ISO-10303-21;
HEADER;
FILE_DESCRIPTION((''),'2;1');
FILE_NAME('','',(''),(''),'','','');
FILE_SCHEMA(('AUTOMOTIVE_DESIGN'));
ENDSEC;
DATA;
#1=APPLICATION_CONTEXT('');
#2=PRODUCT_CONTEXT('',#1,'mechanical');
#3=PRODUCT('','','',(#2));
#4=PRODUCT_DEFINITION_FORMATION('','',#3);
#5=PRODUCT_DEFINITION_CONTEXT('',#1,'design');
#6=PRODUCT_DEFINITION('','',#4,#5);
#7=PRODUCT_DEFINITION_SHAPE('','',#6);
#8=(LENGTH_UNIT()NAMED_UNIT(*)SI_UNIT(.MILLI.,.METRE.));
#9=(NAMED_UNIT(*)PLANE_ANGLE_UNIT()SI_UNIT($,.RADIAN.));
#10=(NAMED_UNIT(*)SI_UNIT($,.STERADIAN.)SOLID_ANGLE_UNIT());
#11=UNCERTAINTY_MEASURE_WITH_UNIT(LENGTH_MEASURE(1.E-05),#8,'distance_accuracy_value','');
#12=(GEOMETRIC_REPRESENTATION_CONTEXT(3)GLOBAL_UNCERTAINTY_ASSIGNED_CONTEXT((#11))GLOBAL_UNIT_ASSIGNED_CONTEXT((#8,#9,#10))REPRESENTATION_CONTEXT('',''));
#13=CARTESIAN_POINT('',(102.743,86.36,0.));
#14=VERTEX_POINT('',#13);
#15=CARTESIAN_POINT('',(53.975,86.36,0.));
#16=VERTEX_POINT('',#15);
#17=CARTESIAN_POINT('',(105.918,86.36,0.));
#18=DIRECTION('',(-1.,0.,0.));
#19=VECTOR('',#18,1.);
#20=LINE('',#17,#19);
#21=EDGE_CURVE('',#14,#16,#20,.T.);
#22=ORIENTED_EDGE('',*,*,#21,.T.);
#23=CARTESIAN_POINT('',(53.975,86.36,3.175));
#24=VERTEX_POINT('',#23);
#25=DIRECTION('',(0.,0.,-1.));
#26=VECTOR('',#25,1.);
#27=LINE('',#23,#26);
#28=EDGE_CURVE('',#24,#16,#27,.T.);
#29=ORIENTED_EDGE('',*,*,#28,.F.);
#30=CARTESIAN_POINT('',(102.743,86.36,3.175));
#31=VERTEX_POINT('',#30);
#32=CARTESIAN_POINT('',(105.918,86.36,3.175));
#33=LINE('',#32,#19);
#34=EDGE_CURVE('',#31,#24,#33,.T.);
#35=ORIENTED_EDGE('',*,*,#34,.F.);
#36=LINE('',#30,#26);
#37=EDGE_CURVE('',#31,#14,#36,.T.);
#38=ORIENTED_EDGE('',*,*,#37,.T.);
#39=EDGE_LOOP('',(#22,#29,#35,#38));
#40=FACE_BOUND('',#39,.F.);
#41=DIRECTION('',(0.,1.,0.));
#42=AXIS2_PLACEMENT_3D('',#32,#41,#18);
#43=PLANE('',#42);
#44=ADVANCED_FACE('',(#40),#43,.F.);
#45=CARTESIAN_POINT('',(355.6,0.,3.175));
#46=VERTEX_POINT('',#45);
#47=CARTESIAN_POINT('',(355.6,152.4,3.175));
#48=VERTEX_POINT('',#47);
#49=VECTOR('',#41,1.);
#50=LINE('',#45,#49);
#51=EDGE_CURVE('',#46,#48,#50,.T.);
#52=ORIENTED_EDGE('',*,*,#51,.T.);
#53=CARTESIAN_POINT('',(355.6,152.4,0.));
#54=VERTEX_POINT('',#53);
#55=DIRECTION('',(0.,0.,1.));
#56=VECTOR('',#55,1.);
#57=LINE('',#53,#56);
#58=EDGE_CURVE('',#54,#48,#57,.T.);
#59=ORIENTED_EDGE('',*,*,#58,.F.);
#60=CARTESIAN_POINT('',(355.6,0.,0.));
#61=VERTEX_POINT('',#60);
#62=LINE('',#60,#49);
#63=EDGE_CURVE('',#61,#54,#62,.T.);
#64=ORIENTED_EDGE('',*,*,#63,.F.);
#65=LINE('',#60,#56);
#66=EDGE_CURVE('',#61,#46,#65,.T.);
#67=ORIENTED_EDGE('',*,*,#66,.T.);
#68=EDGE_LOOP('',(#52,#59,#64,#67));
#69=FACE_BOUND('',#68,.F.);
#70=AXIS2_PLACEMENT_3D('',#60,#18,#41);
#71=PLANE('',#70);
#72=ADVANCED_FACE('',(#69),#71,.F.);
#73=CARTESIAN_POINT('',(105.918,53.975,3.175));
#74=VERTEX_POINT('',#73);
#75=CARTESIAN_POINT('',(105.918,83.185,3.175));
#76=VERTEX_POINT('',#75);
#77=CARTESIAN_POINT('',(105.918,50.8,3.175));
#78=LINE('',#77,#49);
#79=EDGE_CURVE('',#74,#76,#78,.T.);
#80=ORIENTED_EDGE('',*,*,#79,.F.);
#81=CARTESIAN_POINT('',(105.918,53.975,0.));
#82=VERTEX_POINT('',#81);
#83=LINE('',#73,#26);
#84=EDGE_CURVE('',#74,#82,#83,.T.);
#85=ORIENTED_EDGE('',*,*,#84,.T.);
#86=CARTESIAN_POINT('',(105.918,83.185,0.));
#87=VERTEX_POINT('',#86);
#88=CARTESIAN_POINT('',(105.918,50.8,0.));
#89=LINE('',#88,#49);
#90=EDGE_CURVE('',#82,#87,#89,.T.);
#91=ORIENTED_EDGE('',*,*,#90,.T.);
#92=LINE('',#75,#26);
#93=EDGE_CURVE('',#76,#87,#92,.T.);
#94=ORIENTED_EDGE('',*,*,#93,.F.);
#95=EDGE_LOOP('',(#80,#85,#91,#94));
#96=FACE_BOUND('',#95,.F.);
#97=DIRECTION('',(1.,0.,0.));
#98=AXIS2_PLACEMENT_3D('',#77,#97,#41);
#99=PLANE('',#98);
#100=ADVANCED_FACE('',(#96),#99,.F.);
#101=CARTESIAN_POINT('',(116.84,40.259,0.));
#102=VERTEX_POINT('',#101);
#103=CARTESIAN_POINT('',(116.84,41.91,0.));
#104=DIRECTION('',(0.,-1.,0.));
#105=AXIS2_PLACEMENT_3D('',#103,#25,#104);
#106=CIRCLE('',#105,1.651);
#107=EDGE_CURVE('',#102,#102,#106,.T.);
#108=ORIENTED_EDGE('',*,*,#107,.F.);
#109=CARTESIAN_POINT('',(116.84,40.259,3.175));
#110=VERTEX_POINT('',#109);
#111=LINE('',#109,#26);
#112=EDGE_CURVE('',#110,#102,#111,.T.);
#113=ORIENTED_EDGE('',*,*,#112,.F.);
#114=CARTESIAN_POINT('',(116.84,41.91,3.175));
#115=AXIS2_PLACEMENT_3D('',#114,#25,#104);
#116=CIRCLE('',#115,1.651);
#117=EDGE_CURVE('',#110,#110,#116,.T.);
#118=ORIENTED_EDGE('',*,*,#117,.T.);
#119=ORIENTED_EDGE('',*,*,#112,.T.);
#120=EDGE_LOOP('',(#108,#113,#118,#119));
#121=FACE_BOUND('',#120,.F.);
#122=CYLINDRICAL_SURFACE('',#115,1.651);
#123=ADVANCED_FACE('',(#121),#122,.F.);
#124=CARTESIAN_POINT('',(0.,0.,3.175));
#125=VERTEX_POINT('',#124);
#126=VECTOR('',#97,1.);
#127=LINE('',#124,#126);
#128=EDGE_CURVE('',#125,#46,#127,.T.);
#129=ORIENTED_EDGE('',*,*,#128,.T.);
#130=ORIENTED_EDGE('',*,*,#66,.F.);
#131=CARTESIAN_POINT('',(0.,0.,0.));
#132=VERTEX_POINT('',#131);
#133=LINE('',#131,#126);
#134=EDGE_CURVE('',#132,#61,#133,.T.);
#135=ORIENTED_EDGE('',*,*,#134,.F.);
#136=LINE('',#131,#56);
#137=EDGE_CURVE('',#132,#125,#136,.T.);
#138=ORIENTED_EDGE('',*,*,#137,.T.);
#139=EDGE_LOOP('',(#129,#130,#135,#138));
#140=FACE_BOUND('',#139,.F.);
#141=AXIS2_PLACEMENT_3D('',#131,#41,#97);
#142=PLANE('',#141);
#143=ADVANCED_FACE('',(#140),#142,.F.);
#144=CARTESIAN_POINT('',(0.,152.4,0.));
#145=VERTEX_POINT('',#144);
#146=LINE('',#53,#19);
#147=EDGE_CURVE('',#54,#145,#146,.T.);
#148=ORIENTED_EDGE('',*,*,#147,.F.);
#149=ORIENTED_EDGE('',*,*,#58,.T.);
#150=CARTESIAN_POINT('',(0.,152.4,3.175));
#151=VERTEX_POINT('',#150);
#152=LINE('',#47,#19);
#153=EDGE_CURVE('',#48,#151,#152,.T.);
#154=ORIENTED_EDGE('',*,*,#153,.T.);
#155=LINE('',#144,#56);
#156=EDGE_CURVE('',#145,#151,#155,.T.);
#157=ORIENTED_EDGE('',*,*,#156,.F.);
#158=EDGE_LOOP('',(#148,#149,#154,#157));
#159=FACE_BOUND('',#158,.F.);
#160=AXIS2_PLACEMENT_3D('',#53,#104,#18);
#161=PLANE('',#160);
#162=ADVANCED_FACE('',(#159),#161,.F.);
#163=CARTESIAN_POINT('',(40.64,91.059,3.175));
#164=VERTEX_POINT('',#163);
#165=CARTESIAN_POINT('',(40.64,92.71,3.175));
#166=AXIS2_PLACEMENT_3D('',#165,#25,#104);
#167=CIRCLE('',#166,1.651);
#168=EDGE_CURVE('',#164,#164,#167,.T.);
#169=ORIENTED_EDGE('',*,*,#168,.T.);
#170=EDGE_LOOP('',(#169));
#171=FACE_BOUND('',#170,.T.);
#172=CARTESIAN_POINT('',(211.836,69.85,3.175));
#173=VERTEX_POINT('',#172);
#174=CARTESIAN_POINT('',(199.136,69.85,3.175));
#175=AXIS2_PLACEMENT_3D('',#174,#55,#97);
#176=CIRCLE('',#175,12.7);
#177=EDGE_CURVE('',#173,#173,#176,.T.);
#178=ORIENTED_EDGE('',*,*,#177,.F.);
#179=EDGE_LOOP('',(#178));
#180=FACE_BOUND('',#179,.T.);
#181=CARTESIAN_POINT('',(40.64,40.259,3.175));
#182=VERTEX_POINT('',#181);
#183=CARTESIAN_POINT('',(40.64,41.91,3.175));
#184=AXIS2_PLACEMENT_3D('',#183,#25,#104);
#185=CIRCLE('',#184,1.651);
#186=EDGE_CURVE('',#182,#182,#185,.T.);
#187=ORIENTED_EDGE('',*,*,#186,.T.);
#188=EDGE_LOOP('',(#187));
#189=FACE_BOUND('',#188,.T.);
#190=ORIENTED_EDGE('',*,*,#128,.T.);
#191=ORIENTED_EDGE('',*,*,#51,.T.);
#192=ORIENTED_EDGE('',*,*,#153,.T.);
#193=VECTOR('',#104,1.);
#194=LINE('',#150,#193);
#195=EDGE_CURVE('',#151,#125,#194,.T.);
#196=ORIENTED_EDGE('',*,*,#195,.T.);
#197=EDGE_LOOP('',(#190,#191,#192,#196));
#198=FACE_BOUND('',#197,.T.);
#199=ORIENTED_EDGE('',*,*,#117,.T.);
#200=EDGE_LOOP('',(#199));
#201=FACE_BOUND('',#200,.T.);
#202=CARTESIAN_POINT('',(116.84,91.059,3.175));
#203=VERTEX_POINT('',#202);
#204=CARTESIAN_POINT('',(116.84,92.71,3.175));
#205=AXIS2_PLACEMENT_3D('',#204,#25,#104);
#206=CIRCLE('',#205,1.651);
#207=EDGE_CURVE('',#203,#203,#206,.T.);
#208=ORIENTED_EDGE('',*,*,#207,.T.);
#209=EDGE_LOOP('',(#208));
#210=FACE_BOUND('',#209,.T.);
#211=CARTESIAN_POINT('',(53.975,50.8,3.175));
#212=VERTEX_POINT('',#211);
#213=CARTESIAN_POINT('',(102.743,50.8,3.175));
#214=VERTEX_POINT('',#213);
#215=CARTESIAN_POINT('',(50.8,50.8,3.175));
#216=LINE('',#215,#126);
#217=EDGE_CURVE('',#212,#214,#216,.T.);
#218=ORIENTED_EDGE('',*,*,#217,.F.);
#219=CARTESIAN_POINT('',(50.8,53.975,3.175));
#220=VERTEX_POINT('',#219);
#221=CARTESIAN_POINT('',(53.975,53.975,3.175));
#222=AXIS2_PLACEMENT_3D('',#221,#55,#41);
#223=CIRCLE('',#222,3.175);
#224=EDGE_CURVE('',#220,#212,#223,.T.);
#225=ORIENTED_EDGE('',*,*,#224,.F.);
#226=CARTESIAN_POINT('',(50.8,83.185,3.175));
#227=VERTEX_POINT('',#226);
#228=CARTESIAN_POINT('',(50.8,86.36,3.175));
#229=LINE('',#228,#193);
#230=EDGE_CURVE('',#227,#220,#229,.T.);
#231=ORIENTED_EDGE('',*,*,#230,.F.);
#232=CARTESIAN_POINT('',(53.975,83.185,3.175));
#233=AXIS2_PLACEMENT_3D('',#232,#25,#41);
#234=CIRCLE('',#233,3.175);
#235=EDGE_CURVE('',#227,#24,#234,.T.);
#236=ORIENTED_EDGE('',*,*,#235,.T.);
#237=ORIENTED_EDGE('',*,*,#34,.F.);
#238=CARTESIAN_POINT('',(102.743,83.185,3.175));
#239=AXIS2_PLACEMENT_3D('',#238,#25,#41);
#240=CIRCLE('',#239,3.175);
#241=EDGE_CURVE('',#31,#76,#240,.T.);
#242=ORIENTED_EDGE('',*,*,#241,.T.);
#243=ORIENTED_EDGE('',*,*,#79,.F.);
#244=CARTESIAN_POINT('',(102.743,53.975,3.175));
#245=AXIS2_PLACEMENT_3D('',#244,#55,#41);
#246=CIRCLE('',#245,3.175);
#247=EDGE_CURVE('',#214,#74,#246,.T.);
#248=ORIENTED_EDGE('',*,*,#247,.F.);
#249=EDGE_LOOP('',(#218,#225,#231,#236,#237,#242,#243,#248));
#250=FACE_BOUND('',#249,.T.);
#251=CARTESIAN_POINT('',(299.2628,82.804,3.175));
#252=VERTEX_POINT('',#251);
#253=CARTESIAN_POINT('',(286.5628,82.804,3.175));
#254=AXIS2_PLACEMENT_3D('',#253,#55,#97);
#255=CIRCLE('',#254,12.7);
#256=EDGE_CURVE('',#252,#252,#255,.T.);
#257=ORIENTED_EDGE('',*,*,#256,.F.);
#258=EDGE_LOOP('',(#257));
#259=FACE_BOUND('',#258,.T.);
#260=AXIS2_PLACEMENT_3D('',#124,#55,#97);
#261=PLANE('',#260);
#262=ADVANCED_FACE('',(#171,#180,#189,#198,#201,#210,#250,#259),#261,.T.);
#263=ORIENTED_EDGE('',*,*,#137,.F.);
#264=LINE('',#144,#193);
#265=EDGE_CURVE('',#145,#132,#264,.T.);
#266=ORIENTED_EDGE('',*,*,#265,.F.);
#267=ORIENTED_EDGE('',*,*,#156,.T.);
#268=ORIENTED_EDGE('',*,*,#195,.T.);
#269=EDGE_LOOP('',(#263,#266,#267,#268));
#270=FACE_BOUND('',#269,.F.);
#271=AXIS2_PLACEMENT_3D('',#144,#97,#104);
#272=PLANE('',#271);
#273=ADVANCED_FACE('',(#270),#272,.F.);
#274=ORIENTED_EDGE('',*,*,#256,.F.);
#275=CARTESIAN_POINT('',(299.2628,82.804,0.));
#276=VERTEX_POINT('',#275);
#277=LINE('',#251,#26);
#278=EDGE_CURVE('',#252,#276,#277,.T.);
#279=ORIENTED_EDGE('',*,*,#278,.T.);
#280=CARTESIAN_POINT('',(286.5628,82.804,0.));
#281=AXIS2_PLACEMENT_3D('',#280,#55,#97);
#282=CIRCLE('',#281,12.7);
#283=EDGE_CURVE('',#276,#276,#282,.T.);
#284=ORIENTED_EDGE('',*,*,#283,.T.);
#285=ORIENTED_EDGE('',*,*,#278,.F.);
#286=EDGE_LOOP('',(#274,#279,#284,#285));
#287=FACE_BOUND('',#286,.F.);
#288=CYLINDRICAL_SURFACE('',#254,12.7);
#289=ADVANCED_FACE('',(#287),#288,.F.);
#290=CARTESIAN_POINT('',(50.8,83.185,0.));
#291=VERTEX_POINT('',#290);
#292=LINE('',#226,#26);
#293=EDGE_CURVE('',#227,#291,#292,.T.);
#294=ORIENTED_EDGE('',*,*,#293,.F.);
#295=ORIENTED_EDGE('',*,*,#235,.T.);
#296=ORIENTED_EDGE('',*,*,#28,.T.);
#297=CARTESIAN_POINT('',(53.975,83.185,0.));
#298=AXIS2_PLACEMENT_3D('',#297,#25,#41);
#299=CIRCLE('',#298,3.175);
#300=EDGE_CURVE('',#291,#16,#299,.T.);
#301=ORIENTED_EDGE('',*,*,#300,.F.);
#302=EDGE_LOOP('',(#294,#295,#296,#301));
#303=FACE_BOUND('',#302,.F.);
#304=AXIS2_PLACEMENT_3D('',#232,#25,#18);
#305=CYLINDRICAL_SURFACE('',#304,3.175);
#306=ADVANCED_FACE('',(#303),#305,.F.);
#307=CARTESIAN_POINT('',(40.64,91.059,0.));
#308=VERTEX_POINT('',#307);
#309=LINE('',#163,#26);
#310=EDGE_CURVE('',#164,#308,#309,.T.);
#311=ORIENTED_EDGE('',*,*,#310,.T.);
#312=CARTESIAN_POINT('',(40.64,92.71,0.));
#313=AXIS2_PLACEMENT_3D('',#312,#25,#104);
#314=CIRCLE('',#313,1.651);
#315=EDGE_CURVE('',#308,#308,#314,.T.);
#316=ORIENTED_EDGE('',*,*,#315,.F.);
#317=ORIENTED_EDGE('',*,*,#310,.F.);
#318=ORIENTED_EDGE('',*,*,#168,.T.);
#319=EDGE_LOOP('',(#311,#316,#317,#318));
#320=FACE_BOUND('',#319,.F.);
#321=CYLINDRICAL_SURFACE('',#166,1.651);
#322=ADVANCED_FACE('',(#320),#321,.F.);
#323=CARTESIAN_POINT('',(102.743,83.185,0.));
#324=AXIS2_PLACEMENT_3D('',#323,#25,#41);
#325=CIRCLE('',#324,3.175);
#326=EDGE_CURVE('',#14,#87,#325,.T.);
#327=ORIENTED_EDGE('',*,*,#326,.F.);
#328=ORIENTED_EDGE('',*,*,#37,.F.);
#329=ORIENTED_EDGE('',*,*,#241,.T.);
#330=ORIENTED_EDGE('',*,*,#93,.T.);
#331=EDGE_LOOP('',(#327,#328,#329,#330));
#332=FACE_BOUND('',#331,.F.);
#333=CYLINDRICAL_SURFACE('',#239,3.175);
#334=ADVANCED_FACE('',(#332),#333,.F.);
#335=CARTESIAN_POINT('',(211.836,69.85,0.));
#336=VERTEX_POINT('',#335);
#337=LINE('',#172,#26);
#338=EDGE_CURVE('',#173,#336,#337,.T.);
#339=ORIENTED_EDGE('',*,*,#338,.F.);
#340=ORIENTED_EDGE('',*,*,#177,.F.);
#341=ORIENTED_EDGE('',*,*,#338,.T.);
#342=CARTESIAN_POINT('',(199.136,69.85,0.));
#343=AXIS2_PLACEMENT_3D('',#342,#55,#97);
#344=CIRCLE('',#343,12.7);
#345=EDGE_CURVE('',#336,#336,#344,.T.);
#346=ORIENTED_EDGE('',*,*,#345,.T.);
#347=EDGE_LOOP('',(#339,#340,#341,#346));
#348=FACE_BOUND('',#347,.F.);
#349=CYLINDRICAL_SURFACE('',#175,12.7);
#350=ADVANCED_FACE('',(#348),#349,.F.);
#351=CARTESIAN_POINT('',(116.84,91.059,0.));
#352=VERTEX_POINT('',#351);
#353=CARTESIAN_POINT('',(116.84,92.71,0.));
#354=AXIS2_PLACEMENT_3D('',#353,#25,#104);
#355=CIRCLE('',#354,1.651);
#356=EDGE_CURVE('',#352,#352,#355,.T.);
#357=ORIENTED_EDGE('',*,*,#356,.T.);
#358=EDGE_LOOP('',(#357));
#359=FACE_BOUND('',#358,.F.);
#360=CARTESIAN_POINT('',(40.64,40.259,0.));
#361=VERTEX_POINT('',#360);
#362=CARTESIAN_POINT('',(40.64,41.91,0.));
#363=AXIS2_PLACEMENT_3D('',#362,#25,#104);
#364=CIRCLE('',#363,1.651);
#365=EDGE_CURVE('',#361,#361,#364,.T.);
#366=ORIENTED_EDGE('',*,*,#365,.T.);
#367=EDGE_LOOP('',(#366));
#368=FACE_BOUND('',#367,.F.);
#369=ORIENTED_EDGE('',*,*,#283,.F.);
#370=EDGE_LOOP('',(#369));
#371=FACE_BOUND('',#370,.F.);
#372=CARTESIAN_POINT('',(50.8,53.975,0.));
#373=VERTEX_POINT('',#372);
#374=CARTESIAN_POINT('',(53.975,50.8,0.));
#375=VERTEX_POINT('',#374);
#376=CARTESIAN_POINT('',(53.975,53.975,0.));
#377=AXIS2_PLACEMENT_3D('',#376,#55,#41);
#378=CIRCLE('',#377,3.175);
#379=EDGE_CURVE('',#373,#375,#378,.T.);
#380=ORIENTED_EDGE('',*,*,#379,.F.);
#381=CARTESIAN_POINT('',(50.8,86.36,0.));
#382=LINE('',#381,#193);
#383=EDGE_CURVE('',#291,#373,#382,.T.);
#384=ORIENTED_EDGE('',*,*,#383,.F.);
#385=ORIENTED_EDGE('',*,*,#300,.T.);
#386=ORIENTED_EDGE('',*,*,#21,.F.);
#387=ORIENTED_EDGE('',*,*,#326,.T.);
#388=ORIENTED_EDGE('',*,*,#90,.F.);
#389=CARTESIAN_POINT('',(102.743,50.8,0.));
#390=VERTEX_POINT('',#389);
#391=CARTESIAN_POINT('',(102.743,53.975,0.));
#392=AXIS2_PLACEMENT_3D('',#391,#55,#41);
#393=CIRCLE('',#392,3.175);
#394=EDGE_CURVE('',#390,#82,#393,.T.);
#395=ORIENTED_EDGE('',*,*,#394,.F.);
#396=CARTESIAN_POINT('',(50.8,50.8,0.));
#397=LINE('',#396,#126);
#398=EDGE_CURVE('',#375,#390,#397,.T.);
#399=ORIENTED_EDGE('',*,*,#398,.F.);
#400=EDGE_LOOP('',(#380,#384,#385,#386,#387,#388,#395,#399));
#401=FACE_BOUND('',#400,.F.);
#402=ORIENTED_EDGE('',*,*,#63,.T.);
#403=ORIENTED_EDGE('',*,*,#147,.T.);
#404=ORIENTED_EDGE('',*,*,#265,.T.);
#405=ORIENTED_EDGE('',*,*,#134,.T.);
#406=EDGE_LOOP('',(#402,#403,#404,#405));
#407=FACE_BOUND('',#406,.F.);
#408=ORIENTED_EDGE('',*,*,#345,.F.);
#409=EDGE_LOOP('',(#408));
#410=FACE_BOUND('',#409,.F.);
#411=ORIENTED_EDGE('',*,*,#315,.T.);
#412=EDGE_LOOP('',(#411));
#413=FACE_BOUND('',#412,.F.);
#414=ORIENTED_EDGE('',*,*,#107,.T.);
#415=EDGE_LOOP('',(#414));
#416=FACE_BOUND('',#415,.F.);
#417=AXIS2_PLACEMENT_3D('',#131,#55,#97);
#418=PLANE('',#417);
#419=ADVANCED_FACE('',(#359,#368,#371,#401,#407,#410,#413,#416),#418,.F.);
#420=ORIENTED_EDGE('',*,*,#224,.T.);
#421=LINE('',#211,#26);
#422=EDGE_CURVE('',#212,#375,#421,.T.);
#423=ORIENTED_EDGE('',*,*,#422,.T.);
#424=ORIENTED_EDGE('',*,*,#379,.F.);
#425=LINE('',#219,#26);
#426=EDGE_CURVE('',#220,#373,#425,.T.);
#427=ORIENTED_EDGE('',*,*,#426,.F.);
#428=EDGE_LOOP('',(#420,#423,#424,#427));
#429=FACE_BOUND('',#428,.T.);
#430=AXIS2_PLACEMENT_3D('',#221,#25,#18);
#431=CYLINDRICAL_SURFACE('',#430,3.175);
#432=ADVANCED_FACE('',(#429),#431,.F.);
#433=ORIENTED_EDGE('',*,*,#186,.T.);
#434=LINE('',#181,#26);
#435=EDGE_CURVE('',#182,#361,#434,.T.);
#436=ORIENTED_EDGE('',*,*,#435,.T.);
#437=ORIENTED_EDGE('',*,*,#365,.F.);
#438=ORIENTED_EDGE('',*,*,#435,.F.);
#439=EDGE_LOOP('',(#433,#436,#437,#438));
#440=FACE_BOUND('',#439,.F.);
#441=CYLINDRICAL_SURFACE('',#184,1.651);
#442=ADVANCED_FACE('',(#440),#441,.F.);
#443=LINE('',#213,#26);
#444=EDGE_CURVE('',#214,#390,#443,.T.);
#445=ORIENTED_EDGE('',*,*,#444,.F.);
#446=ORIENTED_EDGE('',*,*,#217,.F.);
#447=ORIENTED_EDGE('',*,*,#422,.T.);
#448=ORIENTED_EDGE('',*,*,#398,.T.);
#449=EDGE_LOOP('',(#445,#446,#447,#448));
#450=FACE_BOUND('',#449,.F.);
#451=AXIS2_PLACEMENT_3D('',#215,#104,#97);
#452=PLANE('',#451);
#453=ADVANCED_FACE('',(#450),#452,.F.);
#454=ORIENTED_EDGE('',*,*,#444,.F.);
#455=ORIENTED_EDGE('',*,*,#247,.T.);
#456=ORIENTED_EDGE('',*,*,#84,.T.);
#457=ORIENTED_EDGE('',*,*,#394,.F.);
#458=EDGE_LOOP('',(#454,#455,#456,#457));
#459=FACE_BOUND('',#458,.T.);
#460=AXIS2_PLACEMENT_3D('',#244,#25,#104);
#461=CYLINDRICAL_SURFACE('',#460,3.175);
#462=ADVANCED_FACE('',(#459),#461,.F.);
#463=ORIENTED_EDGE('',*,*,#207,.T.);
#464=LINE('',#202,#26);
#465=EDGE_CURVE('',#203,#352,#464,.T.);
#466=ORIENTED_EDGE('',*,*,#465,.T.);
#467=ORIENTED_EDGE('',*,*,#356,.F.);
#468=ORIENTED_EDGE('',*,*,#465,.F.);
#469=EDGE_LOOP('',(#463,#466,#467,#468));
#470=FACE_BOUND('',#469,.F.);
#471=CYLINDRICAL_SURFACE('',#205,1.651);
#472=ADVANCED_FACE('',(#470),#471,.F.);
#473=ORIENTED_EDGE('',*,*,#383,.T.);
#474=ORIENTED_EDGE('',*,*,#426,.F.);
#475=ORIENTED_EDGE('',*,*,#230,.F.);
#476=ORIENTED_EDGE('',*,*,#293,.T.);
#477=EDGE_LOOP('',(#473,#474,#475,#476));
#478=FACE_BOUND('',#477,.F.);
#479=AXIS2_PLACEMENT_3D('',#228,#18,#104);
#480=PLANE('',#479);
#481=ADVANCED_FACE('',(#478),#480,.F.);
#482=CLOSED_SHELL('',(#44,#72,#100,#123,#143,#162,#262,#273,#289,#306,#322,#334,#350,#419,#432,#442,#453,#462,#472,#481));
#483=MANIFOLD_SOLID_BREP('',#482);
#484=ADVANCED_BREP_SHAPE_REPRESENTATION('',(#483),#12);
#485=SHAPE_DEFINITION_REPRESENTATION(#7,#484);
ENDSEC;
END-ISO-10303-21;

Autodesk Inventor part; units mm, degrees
ref_plane "YZ Plane" through (0, 0, 0) normal (1, 0, 0) x (0, 1, 0)
ref_plane "XZ Plane" through (0, 0, 0) normal (0, 1, 0) x (-1, 0, 0)
ref_plane "XY Plane" through (0, 0, 0) normal (0, 0, 1) x (1, 0, 0)
sketch "Sketch1" plane through (0, 0, 0) normal (0, 0, 1) x (1, 0, 0)
  line L0 (0, 0) -> (355.6, 0)
  line L1 (355.6, 0) -> (355.6, 152.4)
  line L2 (355.6, 152.4) -> (0, 152.4)
  line L3 (0, 152.4) -> (0, 0)
  dimension "d0" = 152.4
  dimension "d1" = 355.6
extrude "Extrusion1" add sketch "Sketch1" along normal blind 3.175
sketch "Sketch2" plane through (0, 0, 3.175) normal (0, 0, 1) x (1, 0, 0)
  line L0 (50.8, 50.8) -> (105.918, 50.8)
  line L1 (105.918, 50.8) -> (105.918, 86.36)
  line L2 (105.918, 86.36) -> (50.8, 86.36)
  line L3 (50.8, 86.36) -> (50.8, 50.8)
  line L4 (0, 152.4) -> (0, 0) projected
  line L5 (0, 0) -> (355.6, 0) projected
  dimension "d4" = 55.118
  dimension "d5" = 35.56
  dimension "d6" = 50.8
  dimension "d7" = 50.8
extrude "Extrusion2" cut sketch "Sketch2" against normal blind 3.175
sketch "Sketch3" plane through (0, 0, 3.175) normal (0, 0, 1) x (1, 0, 0)
  circle A0 centre (199.136, 69.85) radius 12.7
  circle A1 centre (286.5628, 82.804) radius 12.7
  line L0 (0, 0) -> (355.6, 0) projected
  line L1 (0, 152.4) -> (0, 0) projected
  line L2 (355.6, 0) -> (355.6, 152.4) projected
  dimension "d10" = 25.4
  dimension "d11" = 25.4
  dimension "d12" = 69.85
  dimension "d13" = 82.804
  dimension "d14" = 199.136
  dimension "d15" = 69.0372
extrude "Extrusion3" cut sketch "Sketch3" against normal blind 3.175
sketch "Sketch4" plane through (0, 0, 3.175) normal (0, 0, 1) x (1, 0, 0)
  line L0 (0, 0) -> (355.6, 0) projected
  line L1 (0, 152.4) -> (0, 0) projected
  point P0 (40.64, 41.91)
  point P1 (116.84, 41.91)
  point P2 (116.84, 92.71)
  point P3 (40.64, 92.71)
  dimension "d18" = 41.91
  dimension "d19" = 41.91
  dimension "d20" = 92.71
  dimension "d21" = 92.71
  dimension "d22" = 40.64
  dimension "d23" = 116.84
  dimension "d24" = 40.64
  dimension "d25" = 116.84
hole "Hole1" at (40.64, 41.91, 3.175) at (116.84, 41.91, 3.175) at (116.84, 92.71, 3.175) at (40.64, 92.71, 3.175) direction (0, 0, -1) diameter 3.302 end through all thread size "8-32 UNC" class "2B" standard "ANSI Unified Screw Threads"
fillet "Fillet1" radius 3.175 4 edges at (50.8, 50.8, 1.5875) (105.918, 86.36, 1.5875) (105.918, 50.8, 1.5875) (50.8, 86.36, 1.5875)
equation "\"d19\" = d18"
equation "\"d21\" = d20"
equation "\"d24\" = d22"
equation "\"d25\" = d23"
properties part number "LFEV2017_TSI_003"
